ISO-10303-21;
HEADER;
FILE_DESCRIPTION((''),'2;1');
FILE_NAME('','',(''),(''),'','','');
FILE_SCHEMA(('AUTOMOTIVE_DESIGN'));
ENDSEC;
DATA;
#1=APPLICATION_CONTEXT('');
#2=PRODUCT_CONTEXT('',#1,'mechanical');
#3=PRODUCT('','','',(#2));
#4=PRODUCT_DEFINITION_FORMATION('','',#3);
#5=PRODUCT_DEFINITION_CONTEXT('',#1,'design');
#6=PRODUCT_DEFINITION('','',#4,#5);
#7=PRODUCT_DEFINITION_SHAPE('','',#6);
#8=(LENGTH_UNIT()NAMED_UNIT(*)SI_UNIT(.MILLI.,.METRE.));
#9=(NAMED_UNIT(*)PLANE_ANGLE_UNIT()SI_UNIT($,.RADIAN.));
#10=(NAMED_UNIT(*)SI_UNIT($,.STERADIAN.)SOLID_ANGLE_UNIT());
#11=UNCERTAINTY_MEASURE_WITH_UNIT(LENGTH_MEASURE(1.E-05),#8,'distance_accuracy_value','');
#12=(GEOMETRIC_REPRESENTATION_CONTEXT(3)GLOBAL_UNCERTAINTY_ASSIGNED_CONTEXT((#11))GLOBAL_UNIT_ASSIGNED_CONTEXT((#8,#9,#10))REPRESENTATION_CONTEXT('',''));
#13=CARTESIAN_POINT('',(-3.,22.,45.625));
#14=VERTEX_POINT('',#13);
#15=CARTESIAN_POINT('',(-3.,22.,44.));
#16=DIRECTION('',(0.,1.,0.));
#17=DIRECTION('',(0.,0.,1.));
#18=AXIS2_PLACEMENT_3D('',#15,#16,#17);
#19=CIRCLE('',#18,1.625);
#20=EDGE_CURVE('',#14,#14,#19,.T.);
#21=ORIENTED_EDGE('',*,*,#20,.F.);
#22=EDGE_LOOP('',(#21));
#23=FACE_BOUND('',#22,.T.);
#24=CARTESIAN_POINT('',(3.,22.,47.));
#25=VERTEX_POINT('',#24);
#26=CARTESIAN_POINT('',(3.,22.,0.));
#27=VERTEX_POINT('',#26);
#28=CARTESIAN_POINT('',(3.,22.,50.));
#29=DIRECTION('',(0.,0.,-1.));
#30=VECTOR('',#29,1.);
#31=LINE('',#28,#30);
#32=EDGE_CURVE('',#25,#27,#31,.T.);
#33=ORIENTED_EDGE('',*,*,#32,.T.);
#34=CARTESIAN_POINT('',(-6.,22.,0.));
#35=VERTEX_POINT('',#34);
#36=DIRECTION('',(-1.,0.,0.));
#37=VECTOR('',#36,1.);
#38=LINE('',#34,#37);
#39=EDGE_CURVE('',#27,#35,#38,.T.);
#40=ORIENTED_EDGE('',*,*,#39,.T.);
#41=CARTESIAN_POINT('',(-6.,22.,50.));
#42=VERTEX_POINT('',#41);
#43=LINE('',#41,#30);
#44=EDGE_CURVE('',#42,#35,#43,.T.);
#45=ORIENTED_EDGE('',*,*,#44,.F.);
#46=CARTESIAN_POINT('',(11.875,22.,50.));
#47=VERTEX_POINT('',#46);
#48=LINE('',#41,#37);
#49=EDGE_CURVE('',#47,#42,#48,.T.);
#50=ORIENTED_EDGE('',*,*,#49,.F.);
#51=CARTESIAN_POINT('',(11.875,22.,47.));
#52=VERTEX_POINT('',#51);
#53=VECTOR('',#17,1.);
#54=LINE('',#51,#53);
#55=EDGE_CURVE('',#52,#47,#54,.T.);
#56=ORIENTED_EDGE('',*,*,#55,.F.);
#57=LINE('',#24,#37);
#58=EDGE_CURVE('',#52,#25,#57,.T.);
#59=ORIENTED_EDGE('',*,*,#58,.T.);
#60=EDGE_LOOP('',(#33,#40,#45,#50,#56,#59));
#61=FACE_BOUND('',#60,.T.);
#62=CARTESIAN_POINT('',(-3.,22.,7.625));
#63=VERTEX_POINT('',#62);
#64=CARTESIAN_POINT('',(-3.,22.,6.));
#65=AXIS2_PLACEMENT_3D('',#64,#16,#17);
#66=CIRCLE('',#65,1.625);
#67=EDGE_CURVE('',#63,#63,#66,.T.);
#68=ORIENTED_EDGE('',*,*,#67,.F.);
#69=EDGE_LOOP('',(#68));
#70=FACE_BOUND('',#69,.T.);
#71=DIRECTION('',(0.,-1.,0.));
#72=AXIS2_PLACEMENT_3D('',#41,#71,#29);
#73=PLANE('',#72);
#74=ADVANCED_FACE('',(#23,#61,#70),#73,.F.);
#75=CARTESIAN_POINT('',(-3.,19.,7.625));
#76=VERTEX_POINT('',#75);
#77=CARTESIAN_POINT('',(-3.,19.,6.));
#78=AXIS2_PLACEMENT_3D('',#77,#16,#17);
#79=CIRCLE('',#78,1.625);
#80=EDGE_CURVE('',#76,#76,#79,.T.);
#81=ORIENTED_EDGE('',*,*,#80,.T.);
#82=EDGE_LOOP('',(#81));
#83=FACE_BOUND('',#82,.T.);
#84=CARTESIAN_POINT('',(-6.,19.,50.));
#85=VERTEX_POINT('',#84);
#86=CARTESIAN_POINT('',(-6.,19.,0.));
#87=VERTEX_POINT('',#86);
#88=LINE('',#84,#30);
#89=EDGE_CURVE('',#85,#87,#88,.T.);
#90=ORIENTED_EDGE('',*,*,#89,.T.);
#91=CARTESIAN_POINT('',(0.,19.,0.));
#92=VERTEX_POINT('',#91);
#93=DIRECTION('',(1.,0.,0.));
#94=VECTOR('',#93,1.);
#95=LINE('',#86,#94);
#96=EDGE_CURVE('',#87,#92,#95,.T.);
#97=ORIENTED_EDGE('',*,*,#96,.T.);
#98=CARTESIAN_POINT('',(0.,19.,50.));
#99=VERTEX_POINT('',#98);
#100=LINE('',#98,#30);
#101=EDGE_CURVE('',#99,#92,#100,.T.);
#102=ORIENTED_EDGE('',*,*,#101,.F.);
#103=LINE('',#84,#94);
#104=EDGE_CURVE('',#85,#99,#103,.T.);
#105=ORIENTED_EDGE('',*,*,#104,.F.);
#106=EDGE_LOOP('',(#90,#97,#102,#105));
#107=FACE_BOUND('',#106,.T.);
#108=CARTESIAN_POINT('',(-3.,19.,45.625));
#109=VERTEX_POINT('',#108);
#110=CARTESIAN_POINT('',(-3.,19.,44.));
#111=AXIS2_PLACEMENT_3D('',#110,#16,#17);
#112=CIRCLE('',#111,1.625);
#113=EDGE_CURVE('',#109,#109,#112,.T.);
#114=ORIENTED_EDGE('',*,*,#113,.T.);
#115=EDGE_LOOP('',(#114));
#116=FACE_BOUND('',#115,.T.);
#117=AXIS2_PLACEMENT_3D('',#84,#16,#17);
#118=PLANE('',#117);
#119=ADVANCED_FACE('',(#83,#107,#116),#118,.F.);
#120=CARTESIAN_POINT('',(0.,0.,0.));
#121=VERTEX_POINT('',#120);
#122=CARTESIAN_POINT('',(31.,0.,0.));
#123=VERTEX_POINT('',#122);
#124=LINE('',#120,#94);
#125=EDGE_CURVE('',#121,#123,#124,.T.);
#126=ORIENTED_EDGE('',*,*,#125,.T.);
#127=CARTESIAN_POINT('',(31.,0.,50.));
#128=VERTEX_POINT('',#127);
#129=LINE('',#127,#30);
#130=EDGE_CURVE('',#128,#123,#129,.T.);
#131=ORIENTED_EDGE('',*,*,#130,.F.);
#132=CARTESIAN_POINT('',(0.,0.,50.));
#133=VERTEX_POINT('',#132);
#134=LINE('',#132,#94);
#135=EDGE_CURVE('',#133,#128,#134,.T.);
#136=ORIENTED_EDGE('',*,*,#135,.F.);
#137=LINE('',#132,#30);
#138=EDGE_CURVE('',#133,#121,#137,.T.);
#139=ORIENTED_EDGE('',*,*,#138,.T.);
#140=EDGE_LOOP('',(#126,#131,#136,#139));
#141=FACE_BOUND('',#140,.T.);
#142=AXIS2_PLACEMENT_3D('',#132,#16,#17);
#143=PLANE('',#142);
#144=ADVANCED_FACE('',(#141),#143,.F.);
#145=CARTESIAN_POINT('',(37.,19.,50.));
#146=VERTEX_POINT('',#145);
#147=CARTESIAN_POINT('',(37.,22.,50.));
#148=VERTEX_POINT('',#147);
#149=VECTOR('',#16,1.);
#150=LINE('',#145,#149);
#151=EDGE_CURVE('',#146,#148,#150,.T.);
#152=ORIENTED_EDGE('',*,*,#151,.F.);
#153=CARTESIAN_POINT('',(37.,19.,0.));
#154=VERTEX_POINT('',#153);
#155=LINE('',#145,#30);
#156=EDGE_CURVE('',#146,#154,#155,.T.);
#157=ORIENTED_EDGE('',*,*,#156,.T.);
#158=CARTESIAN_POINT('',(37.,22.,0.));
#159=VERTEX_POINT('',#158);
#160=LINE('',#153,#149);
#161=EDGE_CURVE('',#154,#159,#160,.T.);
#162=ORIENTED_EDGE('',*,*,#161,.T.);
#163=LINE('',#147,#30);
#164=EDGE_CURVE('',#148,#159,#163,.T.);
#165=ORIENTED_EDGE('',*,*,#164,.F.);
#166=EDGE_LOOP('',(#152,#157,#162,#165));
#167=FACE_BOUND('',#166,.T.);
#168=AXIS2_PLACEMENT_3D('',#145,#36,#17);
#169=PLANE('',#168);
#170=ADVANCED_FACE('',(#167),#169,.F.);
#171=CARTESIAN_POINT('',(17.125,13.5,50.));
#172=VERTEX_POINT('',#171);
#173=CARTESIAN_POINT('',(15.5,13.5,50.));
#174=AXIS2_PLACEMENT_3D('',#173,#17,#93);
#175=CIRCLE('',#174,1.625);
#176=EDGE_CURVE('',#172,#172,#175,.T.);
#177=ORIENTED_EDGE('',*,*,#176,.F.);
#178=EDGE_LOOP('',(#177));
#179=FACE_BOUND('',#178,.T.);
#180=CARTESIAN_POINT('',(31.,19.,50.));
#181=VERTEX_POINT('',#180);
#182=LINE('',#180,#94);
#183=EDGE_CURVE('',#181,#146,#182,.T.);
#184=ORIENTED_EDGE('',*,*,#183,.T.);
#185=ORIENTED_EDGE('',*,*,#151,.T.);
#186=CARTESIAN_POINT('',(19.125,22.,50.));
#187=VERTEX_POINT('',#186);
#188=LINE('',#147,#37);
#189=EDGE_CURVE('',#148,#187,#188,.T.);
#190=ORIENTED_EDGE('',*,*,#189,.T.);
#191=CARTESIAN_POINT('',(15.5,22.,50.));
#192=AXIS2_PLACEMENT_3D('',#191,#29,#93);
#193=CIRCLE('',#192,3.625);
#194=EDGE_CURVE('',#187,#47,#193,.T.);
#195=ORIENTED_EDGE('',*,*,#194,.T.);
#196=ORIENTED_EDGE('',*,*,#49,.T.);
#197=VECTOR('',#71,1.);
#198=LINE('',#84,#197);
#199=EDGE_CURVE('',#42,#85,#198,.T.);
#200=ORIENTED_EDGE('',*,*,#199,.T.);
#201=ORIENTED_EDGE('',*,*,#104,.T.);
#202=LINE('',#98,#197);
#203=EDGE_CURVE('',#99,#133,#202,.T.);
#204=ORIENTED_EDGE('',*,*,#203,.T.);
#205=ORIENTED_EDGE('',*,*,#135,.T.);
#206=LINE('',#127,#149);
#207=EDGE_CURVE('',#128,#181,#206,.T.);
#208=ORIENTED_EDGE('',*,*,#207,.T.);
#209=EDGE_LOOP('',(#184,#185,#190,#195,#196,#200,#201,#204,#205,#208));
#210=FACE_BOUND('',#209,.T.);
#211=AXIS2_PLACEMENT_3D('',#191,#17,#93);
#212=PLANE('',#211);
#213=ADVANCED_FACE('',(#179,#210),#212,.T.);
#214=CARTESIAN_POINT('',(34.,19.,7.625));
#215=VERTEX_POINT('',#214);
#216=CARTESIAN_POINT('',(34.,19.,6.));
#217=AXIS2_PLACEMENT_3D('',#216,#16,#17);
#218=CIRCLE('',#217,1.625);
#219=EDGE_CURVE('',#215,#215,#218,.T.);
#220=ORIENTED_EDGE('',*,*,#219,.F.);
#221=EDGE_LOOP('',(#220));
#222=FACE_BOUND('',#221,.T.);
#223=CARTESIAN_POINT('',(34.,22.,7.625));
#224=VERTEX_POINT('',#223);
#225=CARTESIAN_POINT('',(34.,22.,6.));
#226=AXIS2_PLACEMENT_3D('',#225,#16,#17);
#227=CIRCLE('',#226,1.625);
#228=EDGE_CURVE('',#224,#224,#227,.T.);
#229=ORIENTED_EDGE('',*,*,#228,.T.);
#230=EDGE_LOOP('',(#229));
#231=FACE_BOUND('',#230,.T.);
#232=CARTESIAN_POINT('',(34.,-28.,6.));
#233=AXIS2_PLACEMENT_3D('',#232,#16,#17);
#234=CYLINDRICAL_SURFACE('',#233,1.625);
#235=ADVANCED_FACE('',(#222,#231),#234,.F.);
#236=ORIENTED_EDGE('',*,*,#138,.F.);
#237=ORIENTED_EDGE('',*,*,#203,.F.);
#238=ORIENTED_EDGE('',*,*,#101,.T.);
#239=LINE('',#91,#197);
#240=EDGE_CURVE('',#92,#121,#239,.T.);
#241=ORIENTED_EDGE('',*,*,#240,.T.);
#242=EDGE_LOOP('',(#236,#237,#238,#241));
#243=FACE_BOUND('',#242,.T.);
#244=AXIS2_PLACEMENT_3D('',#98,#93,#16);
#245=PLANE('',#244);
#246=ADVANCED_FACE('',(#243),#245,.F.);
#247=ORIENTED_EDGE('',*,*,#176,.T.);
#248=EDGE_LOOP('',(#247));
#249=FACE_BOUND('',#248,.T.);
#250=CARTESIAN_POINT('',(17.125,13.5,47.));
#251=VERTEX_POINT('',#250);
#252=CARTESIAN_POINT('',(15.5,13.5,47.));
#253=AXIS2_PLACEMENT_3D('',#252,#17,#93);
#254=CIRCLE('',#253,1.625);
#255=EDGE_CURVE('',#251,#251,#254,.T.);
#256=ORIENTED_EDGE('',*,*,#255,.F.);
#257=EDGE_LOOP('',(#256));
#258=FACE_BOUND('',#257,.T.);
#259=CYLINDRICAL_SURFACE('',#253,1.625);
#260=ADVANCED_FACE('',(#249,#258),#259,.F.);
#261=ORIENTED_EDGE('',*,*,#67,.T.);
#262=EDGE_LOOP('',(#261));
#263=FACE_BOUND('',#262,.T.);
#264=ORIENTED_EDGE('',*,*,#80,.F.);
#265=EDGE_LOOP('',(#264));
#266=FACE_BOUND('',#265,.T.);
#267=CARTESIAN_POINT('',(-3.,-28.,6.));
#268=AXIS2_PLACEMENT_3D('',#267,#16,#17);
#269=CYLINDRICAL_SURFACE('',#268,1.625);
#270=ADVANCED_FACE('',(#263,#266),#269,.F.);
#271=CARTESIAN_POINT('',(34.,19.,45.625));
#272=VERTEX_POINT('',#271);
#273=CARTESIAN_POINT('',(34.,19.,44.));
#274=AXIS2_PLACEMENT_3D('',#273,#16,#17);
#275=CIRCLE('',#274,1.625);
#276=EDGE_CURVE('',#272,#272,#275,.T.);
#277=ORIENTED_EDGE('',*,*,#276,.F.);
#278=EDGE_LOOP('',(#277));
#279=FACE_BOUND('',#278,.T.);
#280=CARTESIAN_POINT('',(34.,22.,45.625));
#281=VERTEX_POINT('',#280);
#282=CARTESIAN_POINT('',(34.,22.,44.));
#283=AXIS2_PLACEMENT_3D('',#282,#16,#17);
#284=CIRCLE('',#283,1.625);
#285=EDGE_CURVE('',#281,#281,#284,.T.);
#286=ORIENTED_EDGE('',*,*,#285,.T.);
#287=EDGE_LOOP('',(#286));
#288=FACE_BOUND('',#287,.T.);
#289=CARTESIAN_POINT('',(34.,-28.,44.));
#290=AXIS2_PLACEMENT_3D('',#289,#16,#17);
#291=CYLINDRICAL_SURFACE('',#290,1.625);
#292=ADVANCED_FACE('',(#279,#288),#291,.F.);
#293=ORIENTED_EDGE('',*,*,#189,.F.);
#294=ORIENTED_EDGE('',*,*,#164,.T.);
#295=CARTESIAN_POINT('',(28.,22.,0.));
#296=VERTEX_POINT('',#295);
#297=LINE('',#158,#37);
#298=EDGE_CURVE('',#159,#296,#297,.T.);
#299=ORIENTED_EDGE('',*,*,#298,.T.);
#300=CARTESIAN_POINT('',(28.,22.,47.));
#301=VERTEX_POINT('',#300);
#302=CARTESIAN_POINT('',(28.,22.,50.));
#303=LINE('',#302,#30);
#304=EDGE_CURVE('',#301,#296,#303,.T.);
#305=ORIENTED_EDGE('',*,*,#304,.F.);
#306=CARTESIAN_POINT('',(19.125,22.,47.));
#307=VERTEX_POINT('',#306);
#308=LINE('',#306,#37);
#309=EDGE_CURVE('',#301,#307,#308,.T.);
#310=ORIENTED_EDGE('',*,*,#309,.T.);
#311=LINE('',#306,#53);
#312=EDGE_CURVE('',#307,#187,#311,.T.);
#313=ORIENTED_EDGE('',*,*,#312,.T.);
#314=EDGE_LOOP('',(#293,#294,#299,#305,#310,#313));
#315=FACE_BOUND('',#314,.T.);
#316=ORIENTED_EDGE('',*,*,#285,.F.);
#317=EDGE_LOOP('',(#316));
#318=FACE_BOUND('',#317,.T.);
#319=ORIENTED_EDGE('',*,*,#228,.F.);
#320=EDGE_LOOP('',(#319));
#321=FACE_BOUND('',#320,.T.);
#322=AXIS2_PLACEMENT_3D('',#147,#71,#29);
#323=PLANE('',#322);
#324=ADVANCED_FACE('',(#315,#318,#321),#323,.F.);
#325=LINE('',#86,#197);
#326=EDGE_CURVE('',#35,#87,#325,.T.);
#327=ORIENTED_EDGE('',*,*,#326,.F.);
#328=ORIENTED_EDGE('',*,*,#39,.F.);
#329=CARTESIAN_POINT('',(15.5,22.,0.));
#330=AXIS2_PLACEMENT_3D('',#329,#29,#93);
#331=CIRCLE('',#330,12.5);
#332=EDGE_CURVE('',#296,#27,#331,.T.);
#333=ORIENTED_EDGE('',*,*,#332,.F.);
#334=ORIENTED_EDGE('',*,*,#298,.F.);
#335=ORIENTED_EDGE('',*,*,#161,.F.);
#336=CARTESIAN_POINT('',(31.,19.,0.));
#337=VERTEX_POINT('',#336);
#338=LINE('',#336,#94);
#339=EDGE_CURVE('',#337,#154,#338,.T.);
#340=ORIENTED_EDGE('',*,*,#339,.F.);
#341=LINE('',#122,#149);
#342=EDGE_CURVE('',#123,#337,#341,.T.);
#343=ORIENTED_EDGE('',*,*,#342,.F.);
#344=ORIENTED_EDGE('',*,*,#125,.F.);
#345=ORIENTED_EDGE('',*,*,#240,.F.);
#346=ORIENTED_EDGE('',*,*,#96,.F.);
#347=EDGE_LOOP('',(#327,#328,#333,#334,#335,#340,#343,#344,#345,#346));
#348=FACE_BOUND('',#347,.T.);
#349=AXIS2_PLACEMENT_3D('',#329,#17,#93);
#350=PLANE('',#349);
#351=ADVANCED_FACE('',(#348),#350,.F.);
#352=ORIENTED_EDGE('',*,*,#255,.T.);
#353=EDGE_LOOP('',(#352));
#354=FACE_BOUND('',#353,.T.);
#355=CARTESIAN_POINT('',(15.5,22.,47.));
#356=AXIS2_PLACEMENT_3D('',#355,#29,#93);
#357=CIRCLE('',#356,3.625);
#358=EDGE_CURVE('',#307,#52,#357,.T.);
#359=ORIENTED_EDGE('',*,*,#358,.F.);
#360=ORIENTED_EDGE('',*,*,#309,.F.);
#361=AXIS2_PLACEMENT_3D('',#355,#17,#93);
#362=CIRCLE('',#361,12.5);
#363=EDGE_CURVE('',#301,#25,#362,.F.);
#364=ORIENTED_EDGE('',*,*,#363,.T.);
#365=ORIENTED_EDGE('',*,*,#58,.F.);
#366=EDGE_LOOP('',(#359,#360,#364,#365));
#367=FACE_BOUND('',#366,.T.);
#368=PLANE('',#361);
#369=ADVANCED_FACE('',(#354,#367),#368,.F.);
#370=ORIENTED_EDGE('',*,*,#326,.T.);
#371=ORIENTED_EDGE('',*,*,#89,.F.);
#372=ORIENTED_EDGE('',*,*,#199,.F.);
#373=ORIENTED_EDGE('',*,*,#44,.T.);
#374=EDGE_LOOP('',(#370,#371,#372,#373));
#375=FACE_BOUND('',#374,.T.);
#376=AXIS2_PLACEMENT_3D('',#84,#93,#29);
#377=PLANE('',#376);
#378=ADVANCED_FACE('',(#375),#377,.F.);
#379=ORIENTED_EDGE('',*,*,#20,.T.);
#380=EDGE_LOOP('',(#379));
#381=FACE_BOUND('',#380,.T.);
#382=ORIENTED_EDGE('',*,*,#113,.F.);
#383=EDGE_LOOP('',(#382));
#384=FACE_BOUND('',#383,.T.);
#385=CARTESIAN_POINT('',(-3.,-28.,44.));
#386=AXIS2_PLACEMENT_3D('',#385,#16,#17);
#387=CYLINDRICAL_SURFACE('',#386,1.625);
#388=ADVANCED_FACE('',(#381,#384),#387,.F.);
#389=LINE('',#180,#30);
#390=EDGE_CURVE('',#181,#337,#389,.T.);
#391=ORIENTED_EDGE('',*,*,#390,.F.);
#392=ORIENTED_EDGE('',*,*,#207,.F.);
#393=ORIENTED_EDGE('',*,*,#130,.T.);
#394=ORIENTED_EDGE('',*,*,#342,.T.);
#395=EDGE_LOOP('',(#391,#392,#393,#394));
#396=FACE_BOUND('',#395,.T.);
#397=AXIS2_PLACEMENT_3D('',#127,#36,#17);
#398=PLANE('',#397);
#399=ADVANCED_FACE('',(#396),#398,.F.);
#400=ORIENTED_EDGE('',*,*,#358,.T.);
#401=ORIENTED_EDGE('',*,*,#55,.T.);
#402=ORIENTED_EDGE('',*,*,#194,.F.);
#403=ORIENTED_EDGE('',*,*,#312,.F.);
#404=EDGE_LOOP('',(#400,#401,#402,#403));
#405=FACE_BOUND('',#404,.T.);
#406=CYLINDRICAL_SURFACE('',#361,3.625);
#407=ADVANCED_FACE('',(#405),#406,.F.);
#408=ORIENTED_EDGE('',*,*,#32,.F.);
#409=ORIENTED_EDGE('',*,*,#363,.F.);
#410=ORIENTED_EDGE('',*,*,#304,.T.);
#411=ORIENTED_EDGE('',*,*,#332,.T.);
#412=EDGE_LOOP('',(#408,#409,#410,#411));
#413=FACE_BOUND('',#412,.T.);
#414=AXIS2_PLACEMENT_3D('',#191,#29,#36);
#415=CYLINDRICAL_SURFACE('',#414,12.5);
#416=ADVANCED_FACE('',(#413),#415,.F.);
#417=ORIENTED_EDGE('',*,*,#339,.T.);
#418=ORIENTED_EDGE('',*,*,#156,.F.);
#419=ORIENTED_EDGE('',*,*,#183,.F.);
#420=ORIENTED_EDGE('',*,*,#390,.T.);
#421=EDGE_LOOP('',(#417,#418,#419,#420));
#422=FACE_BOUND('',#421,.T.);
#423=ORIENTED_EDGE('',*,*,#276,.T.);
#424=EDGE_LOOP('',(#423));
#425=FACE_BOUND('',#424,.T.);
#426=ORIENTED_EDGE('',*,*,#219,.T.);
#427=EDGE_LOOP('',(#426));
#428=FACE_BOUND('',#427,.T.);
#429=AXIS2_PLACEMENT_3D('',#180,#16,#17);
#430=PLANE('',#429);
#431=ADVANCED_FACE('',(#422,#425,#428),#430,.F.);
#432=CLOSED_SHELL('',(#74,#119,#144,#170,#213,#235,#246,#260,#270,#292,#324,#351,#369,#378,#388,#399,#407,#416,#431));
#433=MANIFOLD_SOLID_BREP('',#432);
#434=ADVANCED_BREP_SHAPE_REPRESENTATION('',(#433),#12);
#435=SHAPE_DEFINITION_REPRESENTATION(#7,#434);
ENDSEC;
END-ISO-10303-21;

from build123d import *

# Parameters (mm, degrees)
BOSS_EXTRU_1_DEPTH      = 50
ESQUISSE4_R             = 1.625
ENL_V_MAT_EXTRU_1_DEPTH = 50
ESQUISSE7_R             = 1.625
BOSS_EXTRU_2_DEPTH      = 3


with BuildPart() as part:
    # Esquisse1 → Boss.-Extru.1 (new body)
    with BuildSketch(Plane.XY):
        with BuildLine():
            Line((-6, 19), (-6, 22))
            Line((-6, 22), (3, 22))
            ThreePointArc((3, 22), (15.5, 9.5), (28, 22))
            Line((28, 22), (37, 22))
            Line((37, 22), (37, 19))
            Line((37, 19), (31, 19))
            Line((31, 19), (31, 0))
            Line((31, 0), (0, 0))
            Line((0, 0), (0, 19))
            Line((0, 19), (-6, 19))
        make_face()
    extrude(amount=BOSS_EXTRU_1_DEPTH)

    # Esquisse4 → Enlèv. mat.-Extru.1 (cut)
    with BuildSketch(Plane(origin=(0, 22, 0), x_dir=(1, 0, 0), z_dir=(0, 1, 0))):
        with Locations(Location((-3, -44, 0), (0, 0, 270))):
            Circle(ESQUISSE4_R)
        with Locations(Location((34, -44, 0), (0, 0, 270))):
            Circle(ESQUISSE4_R)
        with Locations(Location((34, -6, 0), (0, 0, 270))):
            Circle(ESQUISSE4_R)
        with Locations(Location((-3, -6, 0), (0, 0, 270))):
            Circle(ESQUISSE4_R)
    extrude(amount=-ENL_V_MAT_EXTRU_1_DEPTH, mode=Mode.SUBTRACT)

    # Esquisse7 → Boss.-Extru.2 (add)
    with BuildSketch(Plane.XY.offset(50)):
        with BuildLine():
            Line((19.125, 22), (28, 22))
            Line((28, 22), (28, 9.5))
            Line((28, 9.5), (3, 9.5))
            Line((3, 9.5), (3, 22))
            Line((3, 22), (11.875, 22))
            ThreePointArc((11.875, 22), (15.5, 18.375), (19.125, 22))
        make_face()
        with Locations((15.5, 13.5)):
            Circle(ESQUISSE7_R, mode=Mode.SUBTRACT)
    extrude(amount=-BOSS_EXTRU_2_DEPTH)


solid = part.part
